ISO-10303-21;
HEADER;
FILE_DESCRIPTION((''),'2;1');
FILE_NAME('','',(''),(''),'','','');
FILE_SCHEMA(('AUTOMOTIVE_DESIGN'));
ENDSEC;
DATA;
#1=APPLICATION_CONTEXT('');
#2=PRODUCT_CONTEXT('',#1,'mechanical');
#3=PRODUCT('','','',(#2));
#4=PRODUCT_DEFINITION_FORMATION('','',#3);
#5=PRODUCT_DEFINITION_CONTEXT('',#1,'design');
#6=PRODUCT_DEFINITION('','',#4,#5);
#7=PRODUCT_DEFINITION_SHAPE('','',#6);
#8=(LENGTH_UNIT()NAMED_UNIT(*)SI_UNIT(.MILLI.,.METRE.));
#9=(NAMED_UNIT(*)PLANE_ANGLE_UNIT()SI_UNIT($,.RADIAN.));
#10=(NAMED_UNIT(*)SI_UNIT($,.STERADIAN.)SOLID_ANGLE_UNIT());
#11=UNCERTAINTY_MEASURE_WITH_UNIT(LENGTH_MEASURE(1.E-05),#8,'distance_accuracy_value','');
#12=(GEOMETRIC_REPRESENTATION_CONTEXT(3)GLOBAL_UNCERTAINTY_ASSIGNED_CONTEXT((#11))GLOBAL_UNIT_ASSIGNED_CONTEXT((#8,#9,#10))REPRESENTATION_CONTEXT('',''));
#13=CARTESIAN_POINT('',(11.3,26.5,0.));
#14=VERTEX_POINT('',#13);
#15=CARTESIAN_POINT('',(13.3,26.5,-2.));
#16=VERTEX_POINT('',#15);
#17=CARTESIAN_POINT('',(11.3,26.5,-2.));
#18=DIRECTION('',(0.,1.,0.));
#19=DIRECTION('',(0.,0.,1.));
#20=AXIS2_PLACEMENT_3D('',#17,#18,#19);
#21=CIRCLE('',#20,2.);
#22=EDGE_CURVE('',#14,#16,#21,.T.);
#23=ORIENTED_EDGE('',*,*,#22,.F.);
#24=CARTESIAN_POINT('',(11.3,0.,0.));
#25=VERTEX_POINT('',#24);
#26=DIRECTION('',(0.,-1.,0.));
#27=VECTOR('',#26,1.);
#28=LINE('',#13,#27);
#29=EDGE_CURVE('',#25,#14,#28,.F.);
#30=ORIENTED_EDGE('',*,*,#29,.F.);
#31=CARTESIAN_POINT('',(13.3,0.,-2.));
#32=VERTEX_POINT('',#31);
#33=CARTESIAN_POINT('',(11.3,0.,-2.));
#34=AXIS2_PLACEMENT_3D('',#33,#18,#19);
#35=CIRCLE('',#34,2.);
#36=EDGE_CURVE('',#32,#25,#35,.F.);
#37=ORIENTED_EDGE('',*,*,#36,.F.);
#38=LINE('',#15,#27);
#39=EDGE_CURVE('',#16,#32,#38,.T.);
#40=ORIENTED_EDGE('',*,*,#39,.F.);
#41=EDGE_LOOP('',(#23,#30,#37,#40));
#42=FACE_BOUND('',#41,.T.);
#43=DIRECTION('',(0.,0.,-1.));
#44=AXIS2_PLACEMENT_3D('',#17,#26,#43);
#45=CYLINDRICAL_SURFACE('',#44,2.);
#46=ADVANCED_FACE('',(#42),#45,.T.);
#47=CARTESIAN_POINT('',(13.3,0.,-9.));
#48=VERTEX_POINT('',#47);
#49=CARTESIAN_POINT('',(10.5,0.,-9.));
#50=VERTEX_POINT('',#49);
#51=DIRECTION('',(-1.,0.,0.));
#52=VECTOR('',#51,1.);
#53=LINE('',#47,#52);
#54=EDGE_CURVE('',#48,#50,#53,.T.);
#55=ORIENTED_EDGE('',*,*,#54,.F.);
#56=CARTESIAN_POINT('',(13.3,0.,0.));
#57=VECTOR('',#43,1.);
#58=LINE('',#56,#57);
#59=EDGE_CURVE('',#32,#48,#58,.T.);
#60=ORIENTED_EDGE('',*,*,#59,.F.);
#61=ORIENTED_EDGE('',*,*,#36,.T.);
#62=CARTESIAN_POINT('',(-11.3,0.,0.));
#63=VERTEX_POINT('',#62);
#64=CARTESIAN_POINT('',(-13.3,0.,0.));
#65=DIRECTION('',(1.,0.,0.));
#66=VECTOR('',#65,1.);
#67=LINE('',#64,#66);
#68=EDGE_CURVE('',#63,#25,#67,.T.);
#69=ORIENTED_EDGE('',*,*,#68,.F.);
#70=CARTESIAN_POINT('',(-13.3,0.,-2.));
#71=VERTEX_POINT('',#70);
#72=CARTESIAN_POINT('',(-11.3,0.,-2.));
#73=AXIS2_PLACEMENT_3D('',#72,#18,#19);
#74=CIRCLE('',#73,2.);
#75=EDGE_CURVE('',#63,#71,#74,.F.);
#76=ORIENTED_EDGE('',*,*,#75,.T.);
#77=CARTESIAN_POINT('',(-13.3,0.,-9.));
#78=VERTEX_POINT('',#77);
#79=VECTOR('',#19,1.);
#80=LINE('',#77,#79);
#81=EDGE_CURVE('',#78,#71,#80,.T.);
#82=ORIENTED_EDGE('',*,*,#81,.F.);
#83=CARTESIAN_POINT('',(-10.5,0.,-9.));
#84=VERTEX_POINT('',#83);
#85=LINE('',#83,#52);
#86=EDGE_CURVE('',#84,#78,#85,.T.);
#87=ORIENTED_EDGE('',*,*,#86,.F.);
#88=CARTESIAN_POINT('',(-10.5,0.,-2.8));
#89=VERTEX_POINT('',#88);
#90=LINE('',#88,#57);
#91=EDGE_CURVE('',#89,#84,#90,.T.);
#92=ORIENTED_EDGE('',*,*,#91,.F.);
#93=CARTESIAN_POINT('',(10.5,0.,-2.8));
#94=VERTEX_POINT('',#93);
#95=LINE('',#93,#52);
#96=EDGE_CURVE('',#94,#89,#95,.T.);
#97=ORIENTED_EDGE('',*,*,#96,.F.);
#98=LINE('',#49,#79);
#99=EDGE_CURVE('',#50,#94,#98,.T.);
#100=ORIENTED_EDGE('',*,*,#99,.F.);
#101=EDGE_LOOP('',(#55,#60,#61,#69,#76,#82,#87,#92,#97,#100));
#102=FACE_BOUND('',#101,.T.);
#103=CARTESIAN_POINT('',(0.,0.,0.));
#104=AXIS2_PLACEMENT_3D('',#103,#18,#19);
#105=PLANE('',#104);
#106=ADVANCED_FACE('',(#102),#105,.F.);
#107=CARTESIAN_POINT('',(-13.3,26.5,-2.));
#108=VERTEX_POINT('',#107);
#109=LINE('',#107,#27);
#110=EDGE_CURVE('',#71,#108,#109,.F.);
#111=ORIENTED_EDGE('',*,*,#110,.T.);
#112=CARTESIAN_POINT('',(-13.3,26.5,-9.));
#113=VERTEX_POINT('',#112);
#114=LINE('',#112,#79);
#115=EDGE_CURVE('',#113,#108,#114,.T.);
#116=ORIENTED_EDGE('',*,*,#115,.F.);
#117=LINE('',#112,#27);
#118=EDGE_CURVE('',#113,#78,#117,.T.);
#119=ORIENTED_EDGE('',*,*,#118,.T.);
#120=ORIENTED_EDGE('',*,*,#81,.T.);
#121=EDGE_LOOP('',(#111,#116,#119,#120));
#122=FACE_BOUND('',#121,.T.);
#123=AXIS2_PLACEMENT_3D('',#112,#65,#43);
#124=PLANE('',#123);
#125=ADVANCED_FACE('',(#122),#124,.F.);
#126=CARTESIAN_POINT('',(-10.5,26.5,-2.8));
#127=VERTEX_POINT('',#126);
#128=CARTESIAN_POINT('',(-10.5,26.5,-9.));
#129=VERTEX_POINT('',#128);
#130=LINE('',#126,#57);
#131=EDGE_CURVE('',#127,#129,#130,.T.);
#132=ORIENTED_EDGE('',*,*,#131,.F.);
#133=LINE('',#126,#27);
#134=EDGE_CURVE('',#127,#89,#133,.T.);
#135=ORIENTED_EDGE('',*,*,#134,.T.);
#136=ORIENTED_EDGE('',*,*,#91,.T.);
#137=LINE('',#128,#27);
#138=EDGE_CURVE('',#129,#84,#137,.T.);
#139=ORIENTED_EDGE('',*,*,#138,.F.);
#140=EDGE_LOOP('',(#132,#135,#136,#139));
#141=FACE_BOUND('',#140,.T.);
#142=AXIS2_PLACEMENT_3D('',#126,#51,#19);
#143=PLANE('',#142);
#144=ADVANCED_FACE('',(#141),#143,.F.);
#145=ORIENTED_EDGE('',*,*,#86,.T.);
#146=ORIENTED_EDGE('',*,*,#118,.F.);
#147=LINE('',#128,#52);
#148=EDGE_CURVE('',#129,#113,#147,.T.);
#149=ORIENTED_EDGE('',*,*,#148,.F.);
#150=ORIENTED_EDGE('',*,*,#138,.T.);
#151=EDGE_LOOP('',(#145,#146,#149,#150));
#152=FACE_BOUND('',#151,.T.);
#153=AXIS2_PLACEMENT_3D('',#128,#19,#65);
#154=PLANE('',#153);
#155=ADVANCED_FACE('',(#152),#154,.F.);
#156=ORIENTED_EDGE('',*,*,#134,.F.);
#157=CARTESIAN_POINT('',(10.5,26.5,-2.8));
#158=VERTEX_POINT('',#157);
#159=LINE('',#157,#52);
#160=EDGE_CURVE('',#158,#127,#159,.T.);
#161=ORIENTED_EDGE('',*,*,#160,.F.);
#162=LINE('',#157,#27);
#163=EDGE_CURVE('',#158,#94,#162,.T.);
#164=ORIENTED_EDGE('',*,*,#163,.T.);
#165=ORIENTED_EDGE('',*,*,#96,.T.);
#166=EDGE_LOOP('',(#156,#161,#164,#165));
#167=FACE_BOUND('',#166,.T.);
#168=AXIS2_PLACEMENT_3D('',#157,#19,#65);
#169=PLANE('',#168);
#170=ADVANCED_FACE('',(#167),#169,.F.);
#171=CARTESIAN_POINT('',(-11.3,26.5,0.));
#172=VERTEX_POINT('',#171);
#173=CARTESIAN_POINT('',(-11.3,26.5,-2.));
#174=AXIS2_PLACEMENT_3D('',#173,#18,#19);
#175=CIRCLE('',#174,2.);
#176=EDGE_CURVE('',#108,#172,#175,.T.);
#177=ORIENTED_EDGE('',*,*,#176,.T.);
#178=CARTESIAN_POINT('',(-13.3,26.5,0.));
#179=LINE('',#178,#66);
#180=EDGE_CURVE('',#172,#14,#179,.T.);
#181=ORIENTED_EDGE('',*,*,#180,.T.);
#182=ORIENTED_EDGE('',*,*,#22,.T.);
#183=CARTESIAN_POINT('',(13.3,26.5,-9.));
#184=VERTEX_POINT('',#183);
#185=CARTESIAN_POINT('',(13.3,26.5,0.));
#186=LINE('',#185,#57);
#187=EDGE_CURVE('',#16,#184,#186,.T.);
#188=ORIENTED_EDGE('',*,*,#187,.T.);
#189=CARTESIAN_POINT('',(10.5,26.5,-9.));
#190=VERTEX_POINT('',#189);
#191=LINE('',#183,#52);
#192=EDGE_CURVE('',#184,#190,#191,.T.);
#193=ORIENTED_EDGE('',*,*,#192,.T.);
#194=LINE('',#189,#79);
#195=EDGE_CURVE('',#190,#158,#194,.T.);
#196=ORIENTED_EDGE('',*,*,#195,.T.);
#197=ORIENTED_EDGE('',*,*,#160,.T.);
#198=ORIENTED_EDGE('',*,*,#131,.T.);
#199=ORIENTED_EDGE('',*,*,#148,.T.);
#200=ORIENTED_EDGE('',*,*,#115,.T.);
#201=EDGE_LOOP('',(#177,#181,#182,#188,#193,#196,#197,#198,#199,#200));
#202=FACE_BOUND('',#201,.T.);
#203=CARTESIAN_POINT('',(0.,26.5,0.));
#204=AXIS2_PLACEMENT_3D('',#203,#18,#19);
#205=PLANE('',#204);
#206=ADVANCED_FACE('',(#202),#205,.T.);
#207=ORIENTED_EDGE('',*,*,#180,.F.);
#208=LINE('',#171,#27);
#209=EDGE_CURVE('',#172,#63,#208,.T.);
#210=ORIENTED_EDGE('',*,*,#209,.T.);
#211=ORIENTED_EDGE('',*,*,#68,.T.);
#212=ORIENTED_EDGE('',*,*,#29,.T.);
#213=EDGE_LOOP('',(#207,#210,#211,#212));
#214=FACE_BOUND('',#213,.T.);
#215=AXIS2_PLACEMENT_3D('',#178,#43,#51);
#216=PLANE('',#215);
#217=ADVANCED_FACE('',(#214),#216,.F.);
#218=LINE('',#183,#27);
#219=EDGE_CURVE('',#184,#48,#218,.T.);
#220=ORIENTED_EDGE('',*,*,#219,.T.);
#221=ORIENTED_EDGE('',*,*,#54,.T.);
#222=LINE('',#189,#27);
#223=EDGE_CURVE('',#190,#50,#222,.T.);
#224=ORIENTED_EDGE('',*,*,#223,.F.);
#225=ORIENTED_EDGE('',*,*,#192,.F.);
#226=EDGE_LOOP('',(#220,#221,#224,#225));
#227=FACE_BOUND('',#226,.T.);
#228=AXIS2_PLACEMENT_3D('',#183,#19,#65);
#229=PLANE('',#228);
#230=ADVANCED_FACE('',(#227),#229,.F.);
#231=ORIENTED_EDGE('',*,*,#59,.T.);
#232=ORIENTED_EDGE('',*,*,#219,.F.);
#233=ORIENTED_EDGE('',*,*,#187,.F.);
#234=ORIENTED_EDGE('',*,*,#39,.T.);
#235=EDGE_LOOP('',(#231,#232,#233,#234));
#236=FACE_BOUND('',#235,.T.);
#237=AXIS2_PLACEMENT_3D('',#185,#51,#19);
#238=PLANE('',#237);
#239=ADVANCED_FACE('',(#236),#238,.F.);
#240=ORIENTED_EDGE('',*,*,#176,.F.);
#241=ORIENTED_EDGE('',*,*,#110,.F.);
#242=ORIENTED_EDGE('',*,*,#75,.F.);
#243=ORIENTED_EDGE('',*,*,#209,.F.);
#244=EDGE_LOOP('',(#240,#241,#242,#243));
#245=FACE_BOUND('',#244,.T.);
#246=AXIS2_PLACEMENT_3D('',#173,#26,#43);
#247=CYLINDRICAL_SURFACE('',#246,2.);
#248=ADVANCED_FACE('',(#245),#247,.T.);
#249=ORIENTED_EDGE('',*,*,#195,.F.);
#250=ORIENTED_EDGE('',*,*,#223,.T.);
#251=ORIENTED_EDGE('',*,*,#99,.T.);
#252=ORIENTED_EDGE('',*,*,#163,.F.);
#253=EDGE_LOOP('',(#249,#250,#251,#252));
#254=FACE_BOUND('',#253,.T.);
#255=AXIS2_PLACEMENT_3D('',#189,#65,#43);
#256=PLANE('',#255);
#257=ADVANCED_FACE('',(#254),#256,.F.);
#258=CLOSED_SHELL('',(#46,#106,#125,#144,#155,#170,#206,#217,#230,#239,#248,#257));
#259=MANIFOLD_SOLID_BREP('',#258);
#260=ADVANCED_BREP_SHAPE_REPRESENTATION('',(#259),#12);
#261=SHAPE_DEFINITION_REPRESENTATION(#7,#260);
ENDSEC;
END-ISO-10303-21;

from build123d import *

# Parameters (mm, degrees)
BOSS_EXTRU_1_DEPTH = 26.5
CONG_1_R           = 2


with BuildPart() as part:
    # Esquisse1 → Boss.-Extru.1 (new body)
    with BuildSketch(Plane(origin=(0, 0, 0), x_dir=(1, 0, 0), z_dir=(0, 1, 0))):
        Polygon((-13.3, 0), (13.3, 0), (13.3, 9), (10.5, 9), (10.5, 2.8), (-10.5, 2.8), (-10.5, 9), (-13.3, 9), align=None)
    extrude(amount=BOSS_EXTRU_1_DEPTH)

    # Congé1
    cong_1_edges = [part.edges().sort_by_distance(p)[0] for p in [
        (13.3, 13.25, 0),
        (-13.3, 13.25, 0),
    ]]
    fillet(cong_1_edges, radius=CONG_1_R)


solid = part.part
